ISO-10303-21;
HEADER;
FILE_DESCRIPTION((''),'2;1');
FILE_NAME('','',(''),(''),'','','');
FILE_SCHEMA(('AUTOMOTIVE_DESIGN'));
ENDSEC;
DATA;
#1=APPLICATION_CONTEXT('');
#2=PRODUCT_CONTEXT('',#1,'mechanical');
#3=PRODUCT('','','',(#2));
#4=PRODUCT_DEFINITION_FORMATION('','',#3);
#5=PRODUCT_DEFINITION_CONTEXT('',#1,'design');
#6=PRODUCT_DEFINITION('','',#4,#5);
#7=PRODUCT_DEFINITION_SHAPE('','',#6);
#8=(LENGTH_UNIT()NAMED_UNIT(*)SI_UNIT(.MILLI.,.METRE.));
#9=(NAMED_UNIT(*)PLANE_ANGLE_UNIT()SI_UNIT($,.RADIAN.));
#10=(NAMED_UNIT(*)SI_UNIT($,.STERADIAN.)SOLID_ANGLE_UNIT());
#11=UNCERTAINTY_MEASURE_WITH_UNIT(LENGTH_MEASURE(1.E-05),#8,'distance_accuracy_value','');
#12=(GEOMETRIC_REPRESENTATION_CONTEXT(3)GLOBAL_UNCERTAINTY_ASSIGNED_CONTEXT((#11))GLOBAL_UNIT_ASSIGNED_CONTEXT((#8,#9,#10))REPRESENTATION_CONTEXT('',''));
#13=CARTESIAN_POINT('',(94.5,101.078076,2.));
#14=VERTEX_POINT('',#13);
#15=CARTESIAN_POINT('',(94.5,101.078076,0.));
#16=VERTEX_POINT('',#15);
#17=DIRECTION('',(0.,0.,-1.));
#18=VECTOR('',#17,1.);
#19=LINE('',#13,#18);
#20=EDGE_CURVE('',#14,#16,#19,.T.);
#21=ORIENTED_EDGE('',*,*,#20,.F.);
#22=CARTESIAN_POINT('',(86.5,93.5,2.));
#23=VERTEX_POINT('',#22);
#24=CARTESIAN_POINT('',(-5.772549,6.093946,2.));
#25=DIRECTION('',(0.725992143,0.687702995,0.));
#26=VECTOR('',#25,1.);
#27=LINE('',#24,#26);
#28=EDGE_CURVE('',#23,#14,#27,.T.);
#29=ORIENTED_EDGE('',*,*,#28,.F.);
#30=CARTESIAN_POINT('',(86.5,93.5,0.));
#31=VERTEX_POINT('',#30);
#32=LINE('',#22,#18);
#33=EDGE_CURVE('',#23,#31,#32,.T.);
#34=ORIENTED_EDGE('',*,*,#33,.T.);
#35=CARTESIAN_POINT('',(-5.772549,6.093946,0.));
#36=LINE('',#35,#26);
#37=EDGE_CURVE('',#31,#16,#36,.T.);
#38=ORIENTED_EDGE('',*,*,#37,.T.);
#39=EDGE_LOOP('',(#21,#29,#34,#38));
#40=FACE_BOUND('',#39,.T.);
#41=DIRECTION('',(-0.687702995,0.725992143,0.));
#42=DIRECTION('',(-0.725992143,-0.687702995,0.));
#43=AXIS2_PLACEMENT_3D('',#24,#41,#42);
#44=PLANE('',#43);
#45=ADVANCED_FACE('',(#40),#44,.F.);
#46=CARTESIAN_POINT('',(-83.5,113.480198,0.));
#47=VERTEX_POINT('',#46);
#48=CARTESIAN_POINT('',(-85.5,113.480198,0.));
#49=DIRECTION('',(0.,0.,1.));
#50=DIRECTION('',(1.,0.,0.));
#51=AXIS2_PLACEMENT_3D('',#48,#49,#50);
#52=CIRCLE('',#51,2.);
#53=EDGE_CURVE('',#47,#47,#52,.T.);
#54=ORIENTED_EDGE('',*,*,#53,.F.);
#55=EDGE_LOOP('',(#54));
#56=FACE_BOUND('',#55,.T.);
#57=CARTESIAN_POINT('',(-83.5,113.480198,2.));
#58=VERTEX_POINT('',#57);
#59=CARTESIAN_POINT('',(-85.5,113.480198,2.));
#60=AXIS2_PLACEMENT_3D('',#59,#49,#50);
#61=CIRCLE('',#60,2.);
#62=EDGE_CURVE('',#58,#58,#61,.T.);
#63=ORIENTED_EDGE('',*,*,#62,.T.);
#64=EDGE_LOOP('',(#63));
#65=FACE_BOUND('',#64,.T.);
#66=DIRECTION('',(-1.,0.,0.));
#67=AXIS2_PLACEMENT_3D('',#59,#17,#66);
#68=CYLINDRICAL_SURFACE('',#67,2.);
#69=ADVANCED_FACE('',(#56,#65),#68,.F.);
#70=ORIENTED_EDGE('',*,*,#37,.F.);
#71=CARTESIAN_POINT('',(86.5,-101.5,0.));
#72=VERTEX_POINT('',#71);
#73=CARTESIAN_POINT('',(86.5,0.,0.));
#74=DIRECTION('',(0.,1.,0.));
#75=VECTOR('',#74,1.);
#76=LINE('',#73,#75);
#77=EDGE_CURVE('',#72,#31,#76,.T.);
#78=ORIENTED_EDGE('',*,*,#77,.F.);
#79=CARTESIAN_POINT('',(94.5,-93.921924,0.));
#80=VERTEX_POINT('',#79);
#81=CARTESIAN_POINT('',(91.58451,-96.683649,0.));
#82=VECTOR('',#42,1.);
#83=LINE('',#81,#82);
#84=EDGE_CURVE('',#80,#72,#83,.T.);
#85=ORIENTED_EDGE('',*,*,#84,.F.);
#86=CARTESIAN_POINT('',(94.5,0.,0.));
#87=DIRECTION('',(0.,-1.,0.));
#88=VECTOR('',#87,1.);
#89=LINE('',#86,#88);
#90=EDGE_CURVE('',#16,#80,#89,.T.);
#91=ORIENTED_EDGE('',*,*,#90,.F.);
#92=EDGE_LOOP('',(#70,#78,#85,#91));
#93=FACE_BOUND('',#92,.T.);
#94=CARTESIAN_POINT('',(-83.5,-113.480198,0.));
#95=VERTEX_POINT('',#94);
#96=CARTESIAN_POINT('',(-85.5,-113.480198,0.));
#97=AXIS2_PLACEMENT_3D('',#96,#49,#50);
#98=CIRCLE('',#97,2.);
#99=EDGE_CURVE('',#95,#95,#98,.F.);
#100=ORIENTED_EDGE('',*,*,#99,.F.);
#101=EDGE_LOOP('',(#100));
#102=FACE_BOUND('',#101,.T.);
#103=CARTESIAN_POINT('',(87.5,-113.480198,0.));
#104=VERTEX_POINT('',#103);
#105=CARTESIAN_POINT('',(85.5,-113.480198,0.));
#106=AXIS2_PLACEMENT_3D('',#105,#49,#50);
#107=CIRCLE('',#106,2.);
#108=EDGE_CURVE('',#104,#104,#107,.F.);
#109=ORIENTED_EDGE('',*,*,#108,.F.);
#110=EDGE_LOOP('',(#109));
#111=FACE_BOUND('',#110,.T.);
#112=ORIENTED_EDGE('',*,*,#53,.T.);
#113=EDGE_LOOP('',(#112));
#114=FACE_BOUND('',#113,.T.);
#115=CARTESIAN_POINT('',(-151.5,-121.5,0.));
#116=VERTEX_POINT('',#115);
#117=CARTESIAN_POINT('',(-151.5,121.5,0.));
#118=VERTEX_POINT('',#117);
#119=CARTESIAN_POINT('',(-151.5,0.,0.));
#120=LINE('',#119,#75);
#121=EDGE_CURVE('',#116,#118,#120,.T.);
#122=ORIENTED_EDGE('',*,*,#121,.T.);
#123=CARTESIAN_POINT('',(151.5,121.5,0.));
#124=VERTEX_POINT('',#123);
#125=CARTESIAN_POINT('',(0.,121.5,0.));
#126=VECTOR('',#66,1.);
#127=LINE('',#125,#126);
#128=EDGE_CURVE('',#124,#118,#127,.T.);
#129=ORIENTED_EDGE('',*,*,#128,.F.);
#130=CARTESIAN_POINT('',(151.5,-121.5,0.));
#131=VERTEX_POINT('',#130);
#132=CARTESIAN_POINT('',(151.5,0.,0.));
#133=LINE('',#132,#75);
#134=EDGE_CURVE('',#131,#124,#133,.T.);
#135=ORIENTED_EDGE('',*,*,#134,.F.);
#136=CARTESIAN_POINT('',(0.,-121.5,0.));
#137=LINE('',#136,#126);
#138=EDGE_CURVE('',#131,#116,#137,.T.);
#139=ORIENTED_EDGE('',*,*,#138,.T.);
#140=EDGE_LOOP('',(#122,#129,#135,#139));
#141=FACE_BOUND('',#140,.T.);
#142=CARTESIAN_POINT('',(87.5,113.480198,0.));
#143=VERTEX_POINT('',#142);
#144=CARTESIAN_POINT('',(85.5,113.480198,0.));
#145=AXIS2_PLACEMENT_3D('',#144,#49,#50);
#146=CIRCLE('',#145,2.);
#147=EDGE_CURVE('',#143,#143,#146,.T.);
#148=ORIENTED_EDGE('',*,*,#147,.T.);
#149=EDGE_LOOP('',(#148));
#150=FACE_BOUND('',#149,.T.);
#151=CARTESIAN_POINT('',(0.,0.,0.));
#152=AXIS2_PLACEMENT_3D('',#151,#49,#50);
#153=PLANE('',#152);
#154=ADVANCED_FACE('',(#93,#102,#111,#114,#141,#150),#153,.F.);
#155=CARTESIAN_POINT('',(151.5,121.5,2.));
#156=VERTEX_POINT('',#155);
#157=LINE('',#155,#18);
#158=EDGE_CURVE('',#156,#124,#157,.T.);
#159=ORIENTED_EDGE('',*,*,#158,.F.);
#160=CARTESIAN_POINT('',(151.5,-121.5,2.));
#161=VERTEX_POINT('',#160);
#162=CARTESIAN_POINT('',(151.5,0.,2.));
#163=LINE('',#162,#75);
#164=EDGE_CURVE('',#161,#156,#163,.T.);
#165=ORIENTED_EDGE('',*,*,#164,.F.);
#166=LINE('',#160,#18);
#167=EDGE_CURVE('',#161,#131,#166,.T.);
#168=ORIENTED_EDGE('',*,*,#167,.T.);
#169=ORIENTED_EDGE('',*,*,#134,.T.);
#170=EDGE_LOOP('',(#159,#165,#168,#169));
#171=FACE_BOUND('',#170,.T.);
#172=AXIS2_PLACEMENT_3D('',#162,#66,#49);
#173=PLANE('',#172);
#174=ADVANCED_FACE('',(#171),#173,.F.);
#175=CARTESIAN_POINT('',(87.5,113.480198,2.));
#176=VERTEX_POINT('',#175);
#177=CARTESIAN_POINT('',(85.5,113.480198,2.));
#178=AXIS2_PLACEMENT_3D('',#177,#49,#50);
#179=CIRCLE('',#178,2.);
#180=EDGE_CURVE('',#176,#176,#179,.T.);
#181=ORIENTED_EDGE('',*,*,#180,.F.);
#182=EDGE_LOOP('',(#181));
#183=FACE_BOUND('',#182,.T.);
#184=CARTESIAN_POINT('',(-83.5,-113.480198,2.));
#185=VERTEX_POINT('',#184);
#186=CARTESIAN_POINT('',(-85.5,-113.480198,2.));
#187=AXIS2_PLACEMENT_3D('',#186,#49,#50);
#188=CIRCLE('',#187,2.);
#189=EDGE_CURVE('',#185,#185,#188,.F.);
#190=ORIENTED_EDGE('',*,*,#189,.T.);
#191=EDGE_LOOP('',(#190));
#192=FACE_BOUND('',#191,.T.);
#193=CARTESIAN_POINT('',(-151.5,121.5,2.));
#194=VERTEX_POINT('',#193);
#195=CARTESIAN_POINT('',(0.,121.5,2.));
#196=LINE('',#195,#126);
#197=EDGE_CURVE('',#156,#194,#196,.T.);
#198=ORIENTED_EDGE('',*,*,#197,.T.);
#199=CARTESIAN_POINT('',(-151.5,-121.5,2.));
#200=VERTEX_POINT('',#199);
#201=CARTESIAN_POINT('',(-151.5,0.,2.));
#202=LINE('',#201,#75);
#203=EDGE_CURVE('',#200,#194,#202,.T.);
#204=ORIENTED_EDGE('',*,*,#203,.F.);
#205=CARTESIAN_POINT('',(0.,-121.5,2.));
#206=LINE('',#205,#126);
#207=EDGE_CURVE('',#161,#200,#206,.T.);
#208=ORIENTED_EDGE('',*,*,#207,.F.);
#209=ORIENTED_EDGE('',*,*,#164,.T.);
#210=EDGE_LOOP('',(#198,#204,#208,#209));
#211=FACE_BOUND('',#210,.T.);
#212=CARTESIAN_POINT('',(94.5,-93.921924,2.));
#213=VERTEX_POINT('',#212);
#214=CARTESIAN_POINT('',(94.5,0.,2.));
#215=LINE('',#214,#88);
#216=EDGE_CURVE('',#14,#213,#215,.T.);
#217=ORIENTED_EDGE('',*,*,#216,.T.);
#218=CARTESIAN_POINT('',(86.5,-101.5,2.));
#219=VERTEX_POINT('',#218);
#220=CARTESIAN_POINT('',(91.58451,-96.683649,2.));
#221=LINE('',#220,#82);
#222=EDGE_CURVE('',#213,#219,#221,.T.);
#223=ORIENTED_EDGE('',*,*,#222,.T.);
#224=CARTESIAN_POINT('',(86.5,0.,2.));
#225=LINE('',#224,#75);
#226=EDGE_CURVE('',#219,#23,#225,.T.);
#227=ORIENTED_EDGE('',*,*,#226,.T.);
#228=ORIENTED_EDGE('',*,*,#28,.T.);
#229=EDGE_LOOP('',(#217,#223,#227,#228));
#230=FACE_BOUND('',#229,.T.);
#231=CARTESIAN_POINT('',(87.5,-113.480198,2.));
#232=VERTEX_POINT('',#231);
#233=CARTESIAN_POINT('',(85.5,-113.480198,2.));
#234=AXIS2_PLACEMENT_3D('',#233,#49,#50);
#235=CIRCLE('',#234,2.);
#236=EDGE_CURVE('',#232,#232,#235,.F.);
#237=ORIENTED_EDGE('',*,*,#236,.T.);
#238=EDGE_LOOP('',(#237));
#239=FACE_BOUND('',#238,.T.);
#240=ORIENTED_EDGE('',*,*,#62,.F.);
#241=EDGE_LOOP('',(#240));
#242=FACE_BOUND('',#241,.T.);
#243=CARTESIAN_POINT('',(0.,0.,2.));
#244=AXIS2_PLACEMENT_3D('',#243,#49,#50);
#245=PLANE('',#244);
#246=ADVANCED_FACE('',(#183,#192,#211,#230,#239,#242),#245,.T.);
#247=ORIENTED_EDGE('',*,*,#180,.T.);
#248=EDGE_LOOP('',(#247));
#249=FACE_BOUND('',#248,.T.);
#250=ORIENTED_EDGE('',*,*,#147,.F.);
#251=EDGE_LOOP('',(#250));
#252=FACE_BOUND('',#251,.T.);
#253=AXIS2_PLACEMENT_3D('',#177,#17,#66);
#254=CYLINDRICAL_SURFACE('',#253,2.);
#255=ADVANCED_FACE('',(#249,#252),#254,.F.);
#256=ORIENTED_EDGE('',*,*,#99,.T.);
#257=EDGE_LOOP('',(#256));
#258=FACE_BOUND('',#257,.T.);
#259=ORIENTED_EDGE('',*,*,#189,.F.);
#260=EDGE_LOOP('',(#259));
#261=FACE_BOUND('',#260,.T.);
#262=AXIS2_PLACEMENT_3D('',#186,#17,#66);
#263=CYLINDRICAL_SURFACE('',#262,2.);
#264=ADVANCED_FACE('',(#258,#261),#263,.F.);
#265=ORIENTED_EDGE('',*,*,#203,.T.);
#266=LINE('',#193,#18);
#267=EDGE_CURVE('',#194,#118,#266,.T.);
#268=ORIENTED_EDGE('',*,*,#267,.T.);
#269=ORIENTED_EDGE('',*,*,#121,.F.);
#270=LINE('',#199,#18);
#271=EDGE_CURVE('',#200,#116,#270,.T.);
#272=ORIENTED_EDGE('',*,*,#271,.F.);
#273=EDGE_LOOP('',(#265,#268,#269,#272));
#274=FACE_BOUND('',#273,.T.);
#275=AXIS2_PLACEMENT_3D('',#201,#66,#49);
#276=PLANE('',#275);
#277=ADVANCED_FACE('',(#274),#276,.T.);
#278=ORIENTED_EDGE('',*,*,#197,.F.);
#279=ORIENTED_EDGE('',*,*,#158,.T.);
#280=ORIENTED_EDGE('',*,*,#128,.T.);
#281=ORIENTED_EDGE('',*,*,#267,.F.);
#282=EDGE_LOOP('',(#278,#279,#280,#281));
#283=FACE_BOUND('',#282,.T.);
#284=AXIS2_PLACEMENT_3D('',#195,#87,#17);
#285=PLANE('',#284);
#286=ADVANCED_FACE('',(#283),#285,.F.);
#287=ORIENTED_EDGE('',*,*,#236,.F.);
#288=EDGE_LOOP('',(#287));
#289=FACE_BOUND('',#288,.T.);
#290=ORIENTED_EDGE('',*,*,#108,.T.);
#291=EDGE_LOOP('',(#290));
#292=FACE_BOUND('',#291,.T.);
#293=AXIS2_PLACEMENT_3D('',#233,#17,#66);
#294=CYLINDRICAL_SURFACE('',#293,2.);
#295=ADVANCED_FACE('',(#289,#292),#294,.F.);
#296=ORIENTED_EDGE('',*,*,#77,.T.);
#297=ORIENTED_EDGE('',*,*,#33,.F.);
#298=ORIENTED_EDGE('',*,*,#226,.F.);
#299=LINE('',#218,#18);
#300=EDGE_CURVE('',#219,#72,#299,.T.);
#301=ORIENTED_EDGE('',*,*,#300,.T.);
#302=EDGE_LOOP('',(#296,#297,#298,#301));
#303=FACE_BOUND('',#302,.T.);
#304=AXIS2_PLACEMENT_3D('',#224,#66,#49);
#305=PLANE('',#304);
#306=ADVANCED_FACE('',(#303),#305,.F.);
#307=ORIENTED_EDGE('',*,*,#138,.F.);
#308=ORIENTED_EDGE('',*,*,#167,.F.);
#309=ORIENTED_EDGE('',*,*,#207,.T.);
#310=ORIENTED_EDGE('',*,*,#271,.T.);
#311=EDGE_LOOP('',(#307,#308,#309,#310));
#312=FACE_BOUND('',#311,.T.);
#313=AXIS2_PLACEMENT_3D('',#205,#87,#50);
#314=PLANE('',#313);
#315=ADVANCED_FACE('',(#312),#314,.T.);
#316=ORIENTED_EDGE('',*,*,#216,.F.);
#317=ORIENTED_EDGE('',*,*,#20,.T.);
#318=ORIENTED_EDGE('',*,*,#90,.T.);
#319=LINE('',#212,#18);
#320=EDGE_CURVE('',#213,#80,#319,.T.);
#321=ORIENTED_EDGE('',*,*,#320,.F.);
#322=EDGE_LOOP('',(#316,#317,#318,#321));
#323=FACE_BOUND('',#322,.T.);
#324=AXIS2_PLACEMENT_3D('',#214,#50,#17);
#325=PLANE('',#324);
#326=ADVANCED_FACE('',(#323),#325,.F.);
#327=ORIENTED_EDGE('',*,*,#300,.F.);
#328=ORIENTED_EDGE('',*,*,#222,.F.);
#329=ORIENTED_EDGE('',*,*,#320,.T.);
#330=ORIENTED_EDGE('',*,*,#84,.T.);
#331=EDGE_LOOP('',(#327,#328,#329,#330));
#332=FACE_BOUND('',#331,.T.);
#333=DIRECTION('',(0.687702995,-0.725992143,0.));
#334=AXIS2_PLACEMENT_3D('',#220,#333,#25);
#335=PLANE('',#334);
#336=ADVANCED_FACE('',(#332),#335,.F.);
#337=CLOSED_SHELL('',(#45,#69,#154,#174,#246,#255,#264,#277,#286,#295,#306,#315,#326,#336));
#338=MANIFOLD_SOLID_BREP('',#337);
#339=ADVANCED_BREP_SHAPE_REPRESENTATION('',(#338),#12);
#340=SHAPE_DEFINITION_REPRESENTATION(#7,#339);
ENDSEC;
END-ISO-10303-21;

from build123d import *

# Parameters (mm, degrees)
SKETCH1_W           = 303
SKETCH1_H           = 243
SKETCH1_R           = 2
BOSS_EXTRUDE1_DEPTH = 2


with BuildPart() as part:
    # Sketch1 → Boss-Extrude1 (new body)
    with BuildSketch(Plane.XY):
        Rectangle(SKETCH1_W, SKETCH1_H)
        with Locations((85.5, -113.48019802)):
            Circle(SKETCH1_R, mode=Mode.SUBTRACT)
        with Locations((85.5, 113.48019802)):
            Circle(SKETCH1_R, mode=Mode.SUBTRACT)
        with Locations((-85.5, 113.48019802)):
            Circle(SKETCH1_R, mode=Mode.SUBTRACT)
        with Locations((-85.5, -113.48019802)):
            Circle(SKETCH1_R, mode=Mode.SUBTRACT)
        Polygon((94.5, -93.92192355), (86.5, -101.5), (86.5, -96.5), (86.5, 93.5), (94.5, 101.07807645), (94.5, 93.5), align=None, mode=Mode.SUBTRACT)
    extrude(amount=BOSS_EXTRUDE1_DEPTH)


solid = part.part
